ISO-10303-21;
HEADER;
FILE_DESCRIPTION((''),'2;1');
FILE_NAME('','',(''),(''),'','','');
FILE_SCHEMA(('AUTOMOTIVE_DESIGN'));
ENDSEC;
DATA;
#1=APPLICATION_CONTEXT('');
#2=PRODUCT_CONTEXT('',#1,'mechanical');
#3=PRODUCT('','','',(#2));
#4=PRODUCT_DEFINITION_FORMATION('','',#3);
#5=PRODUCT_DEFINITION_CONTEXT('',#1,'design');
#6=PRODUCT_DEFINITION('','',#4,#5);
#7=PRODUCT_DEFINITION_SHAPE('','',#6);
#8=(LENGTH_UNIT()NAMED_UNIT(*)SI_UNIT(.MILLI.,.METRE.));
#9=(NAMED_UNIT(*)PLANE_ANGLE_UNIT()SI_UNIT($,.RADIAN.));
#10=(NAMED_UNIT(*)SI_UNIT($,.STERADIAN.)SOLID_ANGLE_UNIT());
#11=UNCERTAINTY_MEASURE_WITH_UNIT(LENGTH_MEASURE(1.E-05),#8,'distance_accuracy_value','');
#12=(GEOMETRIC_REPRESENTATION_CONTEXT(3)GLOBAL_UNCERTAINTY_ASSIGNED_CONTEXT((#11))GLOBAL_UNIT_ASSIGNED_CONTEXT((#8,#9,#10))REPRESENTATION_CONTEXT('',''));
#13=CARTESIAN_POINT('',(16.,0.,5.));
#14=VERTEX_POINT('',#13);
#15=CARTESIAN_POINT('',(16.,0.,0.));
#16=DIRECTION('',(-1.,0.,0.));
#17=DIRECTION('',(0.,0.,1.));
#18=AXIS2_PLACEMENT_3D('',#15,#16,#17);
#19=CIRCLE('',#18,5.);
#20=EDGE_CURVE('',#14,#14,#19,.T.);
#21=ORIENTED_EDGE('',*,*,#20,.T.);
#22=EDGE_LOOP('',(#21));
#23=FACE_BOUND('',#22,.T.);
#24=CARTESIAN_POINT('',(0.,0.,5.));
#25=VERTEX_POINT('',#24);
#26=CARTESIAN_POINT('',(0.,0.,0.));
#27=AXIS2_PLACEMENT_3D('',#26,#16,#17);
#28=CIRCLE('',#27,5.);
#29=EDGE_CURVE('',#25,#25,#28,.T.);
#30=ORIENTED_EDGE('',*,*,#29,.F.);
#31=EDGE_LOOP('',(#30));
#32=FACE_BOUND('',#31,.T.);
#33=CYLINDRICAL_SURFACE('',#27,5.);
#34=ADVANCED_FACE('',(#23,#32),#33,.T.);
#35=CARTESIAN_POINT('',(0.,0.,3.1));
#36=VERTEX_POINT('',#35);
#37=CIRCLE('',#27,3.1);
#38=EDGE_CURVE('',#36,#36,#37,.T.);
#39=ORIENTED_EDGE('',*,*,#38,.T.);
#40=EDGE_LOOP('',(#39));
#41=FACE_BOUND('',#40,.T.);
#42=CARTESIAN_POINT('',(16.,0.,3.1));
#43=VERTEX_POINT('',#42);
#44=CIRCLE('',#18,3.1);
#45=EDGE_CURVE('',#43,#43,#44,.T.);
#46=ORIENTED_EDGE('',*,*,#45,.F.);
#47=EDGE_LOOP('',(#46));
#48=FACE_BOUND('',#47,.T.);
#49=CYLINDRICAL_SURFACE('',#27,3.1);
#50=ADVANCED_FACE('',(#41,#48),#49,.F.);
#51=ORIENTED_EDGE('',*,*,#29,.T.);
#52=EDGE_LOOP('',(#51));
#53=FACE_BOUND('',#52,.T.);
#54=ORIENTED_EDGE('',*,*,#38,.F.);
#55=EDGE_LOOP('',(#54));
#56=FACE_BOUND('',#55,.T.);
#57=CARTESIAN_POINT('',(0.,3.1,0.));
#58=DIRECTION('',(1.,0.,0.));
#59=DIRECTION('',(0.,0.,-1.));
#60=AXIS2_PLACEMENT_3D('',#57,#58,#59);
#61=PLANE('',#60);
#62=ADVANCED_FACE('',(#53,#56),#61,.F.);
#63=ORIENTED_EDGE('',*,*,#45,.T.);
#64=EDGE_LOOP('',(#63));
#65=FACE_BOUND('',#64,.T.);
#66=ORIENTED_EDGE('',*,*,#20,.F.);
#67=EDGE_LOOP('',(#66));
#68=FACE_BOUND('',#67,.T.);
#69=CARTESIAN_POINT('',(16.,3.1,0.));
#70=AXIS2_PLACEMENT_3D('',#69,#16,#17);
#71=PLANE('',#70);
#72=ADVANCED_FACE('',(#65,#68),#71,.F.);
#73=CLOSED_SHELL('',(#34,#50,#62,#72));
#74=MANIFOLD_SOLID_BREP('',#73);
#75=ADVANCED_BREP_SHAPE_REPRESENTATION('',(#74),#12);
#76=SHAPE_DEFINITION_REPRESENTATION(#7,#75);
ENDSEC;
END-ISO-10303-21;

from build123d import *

# Parameters (mm, degrees)
SKETCH1_W = 16
SKETCH1_H = 1.9


with BuildPart() as part:
    # Sketch1 → Revolve1 (revolve)
    with BuildSketch(Plane.XY, mode=Mode.PRIVATE) as revolve1_sk:
        with Locations((8, 4.05)):
            Rectangle(SKETCH1_W, SKETCH1_H)
    revolve(revolve1_sk.sketch.rotate(Axis((0, 0, 0), (1, 0, 0)), 90), axis=Axis((0, 0, 0), (1, 0, 0)))


solid = part.part
